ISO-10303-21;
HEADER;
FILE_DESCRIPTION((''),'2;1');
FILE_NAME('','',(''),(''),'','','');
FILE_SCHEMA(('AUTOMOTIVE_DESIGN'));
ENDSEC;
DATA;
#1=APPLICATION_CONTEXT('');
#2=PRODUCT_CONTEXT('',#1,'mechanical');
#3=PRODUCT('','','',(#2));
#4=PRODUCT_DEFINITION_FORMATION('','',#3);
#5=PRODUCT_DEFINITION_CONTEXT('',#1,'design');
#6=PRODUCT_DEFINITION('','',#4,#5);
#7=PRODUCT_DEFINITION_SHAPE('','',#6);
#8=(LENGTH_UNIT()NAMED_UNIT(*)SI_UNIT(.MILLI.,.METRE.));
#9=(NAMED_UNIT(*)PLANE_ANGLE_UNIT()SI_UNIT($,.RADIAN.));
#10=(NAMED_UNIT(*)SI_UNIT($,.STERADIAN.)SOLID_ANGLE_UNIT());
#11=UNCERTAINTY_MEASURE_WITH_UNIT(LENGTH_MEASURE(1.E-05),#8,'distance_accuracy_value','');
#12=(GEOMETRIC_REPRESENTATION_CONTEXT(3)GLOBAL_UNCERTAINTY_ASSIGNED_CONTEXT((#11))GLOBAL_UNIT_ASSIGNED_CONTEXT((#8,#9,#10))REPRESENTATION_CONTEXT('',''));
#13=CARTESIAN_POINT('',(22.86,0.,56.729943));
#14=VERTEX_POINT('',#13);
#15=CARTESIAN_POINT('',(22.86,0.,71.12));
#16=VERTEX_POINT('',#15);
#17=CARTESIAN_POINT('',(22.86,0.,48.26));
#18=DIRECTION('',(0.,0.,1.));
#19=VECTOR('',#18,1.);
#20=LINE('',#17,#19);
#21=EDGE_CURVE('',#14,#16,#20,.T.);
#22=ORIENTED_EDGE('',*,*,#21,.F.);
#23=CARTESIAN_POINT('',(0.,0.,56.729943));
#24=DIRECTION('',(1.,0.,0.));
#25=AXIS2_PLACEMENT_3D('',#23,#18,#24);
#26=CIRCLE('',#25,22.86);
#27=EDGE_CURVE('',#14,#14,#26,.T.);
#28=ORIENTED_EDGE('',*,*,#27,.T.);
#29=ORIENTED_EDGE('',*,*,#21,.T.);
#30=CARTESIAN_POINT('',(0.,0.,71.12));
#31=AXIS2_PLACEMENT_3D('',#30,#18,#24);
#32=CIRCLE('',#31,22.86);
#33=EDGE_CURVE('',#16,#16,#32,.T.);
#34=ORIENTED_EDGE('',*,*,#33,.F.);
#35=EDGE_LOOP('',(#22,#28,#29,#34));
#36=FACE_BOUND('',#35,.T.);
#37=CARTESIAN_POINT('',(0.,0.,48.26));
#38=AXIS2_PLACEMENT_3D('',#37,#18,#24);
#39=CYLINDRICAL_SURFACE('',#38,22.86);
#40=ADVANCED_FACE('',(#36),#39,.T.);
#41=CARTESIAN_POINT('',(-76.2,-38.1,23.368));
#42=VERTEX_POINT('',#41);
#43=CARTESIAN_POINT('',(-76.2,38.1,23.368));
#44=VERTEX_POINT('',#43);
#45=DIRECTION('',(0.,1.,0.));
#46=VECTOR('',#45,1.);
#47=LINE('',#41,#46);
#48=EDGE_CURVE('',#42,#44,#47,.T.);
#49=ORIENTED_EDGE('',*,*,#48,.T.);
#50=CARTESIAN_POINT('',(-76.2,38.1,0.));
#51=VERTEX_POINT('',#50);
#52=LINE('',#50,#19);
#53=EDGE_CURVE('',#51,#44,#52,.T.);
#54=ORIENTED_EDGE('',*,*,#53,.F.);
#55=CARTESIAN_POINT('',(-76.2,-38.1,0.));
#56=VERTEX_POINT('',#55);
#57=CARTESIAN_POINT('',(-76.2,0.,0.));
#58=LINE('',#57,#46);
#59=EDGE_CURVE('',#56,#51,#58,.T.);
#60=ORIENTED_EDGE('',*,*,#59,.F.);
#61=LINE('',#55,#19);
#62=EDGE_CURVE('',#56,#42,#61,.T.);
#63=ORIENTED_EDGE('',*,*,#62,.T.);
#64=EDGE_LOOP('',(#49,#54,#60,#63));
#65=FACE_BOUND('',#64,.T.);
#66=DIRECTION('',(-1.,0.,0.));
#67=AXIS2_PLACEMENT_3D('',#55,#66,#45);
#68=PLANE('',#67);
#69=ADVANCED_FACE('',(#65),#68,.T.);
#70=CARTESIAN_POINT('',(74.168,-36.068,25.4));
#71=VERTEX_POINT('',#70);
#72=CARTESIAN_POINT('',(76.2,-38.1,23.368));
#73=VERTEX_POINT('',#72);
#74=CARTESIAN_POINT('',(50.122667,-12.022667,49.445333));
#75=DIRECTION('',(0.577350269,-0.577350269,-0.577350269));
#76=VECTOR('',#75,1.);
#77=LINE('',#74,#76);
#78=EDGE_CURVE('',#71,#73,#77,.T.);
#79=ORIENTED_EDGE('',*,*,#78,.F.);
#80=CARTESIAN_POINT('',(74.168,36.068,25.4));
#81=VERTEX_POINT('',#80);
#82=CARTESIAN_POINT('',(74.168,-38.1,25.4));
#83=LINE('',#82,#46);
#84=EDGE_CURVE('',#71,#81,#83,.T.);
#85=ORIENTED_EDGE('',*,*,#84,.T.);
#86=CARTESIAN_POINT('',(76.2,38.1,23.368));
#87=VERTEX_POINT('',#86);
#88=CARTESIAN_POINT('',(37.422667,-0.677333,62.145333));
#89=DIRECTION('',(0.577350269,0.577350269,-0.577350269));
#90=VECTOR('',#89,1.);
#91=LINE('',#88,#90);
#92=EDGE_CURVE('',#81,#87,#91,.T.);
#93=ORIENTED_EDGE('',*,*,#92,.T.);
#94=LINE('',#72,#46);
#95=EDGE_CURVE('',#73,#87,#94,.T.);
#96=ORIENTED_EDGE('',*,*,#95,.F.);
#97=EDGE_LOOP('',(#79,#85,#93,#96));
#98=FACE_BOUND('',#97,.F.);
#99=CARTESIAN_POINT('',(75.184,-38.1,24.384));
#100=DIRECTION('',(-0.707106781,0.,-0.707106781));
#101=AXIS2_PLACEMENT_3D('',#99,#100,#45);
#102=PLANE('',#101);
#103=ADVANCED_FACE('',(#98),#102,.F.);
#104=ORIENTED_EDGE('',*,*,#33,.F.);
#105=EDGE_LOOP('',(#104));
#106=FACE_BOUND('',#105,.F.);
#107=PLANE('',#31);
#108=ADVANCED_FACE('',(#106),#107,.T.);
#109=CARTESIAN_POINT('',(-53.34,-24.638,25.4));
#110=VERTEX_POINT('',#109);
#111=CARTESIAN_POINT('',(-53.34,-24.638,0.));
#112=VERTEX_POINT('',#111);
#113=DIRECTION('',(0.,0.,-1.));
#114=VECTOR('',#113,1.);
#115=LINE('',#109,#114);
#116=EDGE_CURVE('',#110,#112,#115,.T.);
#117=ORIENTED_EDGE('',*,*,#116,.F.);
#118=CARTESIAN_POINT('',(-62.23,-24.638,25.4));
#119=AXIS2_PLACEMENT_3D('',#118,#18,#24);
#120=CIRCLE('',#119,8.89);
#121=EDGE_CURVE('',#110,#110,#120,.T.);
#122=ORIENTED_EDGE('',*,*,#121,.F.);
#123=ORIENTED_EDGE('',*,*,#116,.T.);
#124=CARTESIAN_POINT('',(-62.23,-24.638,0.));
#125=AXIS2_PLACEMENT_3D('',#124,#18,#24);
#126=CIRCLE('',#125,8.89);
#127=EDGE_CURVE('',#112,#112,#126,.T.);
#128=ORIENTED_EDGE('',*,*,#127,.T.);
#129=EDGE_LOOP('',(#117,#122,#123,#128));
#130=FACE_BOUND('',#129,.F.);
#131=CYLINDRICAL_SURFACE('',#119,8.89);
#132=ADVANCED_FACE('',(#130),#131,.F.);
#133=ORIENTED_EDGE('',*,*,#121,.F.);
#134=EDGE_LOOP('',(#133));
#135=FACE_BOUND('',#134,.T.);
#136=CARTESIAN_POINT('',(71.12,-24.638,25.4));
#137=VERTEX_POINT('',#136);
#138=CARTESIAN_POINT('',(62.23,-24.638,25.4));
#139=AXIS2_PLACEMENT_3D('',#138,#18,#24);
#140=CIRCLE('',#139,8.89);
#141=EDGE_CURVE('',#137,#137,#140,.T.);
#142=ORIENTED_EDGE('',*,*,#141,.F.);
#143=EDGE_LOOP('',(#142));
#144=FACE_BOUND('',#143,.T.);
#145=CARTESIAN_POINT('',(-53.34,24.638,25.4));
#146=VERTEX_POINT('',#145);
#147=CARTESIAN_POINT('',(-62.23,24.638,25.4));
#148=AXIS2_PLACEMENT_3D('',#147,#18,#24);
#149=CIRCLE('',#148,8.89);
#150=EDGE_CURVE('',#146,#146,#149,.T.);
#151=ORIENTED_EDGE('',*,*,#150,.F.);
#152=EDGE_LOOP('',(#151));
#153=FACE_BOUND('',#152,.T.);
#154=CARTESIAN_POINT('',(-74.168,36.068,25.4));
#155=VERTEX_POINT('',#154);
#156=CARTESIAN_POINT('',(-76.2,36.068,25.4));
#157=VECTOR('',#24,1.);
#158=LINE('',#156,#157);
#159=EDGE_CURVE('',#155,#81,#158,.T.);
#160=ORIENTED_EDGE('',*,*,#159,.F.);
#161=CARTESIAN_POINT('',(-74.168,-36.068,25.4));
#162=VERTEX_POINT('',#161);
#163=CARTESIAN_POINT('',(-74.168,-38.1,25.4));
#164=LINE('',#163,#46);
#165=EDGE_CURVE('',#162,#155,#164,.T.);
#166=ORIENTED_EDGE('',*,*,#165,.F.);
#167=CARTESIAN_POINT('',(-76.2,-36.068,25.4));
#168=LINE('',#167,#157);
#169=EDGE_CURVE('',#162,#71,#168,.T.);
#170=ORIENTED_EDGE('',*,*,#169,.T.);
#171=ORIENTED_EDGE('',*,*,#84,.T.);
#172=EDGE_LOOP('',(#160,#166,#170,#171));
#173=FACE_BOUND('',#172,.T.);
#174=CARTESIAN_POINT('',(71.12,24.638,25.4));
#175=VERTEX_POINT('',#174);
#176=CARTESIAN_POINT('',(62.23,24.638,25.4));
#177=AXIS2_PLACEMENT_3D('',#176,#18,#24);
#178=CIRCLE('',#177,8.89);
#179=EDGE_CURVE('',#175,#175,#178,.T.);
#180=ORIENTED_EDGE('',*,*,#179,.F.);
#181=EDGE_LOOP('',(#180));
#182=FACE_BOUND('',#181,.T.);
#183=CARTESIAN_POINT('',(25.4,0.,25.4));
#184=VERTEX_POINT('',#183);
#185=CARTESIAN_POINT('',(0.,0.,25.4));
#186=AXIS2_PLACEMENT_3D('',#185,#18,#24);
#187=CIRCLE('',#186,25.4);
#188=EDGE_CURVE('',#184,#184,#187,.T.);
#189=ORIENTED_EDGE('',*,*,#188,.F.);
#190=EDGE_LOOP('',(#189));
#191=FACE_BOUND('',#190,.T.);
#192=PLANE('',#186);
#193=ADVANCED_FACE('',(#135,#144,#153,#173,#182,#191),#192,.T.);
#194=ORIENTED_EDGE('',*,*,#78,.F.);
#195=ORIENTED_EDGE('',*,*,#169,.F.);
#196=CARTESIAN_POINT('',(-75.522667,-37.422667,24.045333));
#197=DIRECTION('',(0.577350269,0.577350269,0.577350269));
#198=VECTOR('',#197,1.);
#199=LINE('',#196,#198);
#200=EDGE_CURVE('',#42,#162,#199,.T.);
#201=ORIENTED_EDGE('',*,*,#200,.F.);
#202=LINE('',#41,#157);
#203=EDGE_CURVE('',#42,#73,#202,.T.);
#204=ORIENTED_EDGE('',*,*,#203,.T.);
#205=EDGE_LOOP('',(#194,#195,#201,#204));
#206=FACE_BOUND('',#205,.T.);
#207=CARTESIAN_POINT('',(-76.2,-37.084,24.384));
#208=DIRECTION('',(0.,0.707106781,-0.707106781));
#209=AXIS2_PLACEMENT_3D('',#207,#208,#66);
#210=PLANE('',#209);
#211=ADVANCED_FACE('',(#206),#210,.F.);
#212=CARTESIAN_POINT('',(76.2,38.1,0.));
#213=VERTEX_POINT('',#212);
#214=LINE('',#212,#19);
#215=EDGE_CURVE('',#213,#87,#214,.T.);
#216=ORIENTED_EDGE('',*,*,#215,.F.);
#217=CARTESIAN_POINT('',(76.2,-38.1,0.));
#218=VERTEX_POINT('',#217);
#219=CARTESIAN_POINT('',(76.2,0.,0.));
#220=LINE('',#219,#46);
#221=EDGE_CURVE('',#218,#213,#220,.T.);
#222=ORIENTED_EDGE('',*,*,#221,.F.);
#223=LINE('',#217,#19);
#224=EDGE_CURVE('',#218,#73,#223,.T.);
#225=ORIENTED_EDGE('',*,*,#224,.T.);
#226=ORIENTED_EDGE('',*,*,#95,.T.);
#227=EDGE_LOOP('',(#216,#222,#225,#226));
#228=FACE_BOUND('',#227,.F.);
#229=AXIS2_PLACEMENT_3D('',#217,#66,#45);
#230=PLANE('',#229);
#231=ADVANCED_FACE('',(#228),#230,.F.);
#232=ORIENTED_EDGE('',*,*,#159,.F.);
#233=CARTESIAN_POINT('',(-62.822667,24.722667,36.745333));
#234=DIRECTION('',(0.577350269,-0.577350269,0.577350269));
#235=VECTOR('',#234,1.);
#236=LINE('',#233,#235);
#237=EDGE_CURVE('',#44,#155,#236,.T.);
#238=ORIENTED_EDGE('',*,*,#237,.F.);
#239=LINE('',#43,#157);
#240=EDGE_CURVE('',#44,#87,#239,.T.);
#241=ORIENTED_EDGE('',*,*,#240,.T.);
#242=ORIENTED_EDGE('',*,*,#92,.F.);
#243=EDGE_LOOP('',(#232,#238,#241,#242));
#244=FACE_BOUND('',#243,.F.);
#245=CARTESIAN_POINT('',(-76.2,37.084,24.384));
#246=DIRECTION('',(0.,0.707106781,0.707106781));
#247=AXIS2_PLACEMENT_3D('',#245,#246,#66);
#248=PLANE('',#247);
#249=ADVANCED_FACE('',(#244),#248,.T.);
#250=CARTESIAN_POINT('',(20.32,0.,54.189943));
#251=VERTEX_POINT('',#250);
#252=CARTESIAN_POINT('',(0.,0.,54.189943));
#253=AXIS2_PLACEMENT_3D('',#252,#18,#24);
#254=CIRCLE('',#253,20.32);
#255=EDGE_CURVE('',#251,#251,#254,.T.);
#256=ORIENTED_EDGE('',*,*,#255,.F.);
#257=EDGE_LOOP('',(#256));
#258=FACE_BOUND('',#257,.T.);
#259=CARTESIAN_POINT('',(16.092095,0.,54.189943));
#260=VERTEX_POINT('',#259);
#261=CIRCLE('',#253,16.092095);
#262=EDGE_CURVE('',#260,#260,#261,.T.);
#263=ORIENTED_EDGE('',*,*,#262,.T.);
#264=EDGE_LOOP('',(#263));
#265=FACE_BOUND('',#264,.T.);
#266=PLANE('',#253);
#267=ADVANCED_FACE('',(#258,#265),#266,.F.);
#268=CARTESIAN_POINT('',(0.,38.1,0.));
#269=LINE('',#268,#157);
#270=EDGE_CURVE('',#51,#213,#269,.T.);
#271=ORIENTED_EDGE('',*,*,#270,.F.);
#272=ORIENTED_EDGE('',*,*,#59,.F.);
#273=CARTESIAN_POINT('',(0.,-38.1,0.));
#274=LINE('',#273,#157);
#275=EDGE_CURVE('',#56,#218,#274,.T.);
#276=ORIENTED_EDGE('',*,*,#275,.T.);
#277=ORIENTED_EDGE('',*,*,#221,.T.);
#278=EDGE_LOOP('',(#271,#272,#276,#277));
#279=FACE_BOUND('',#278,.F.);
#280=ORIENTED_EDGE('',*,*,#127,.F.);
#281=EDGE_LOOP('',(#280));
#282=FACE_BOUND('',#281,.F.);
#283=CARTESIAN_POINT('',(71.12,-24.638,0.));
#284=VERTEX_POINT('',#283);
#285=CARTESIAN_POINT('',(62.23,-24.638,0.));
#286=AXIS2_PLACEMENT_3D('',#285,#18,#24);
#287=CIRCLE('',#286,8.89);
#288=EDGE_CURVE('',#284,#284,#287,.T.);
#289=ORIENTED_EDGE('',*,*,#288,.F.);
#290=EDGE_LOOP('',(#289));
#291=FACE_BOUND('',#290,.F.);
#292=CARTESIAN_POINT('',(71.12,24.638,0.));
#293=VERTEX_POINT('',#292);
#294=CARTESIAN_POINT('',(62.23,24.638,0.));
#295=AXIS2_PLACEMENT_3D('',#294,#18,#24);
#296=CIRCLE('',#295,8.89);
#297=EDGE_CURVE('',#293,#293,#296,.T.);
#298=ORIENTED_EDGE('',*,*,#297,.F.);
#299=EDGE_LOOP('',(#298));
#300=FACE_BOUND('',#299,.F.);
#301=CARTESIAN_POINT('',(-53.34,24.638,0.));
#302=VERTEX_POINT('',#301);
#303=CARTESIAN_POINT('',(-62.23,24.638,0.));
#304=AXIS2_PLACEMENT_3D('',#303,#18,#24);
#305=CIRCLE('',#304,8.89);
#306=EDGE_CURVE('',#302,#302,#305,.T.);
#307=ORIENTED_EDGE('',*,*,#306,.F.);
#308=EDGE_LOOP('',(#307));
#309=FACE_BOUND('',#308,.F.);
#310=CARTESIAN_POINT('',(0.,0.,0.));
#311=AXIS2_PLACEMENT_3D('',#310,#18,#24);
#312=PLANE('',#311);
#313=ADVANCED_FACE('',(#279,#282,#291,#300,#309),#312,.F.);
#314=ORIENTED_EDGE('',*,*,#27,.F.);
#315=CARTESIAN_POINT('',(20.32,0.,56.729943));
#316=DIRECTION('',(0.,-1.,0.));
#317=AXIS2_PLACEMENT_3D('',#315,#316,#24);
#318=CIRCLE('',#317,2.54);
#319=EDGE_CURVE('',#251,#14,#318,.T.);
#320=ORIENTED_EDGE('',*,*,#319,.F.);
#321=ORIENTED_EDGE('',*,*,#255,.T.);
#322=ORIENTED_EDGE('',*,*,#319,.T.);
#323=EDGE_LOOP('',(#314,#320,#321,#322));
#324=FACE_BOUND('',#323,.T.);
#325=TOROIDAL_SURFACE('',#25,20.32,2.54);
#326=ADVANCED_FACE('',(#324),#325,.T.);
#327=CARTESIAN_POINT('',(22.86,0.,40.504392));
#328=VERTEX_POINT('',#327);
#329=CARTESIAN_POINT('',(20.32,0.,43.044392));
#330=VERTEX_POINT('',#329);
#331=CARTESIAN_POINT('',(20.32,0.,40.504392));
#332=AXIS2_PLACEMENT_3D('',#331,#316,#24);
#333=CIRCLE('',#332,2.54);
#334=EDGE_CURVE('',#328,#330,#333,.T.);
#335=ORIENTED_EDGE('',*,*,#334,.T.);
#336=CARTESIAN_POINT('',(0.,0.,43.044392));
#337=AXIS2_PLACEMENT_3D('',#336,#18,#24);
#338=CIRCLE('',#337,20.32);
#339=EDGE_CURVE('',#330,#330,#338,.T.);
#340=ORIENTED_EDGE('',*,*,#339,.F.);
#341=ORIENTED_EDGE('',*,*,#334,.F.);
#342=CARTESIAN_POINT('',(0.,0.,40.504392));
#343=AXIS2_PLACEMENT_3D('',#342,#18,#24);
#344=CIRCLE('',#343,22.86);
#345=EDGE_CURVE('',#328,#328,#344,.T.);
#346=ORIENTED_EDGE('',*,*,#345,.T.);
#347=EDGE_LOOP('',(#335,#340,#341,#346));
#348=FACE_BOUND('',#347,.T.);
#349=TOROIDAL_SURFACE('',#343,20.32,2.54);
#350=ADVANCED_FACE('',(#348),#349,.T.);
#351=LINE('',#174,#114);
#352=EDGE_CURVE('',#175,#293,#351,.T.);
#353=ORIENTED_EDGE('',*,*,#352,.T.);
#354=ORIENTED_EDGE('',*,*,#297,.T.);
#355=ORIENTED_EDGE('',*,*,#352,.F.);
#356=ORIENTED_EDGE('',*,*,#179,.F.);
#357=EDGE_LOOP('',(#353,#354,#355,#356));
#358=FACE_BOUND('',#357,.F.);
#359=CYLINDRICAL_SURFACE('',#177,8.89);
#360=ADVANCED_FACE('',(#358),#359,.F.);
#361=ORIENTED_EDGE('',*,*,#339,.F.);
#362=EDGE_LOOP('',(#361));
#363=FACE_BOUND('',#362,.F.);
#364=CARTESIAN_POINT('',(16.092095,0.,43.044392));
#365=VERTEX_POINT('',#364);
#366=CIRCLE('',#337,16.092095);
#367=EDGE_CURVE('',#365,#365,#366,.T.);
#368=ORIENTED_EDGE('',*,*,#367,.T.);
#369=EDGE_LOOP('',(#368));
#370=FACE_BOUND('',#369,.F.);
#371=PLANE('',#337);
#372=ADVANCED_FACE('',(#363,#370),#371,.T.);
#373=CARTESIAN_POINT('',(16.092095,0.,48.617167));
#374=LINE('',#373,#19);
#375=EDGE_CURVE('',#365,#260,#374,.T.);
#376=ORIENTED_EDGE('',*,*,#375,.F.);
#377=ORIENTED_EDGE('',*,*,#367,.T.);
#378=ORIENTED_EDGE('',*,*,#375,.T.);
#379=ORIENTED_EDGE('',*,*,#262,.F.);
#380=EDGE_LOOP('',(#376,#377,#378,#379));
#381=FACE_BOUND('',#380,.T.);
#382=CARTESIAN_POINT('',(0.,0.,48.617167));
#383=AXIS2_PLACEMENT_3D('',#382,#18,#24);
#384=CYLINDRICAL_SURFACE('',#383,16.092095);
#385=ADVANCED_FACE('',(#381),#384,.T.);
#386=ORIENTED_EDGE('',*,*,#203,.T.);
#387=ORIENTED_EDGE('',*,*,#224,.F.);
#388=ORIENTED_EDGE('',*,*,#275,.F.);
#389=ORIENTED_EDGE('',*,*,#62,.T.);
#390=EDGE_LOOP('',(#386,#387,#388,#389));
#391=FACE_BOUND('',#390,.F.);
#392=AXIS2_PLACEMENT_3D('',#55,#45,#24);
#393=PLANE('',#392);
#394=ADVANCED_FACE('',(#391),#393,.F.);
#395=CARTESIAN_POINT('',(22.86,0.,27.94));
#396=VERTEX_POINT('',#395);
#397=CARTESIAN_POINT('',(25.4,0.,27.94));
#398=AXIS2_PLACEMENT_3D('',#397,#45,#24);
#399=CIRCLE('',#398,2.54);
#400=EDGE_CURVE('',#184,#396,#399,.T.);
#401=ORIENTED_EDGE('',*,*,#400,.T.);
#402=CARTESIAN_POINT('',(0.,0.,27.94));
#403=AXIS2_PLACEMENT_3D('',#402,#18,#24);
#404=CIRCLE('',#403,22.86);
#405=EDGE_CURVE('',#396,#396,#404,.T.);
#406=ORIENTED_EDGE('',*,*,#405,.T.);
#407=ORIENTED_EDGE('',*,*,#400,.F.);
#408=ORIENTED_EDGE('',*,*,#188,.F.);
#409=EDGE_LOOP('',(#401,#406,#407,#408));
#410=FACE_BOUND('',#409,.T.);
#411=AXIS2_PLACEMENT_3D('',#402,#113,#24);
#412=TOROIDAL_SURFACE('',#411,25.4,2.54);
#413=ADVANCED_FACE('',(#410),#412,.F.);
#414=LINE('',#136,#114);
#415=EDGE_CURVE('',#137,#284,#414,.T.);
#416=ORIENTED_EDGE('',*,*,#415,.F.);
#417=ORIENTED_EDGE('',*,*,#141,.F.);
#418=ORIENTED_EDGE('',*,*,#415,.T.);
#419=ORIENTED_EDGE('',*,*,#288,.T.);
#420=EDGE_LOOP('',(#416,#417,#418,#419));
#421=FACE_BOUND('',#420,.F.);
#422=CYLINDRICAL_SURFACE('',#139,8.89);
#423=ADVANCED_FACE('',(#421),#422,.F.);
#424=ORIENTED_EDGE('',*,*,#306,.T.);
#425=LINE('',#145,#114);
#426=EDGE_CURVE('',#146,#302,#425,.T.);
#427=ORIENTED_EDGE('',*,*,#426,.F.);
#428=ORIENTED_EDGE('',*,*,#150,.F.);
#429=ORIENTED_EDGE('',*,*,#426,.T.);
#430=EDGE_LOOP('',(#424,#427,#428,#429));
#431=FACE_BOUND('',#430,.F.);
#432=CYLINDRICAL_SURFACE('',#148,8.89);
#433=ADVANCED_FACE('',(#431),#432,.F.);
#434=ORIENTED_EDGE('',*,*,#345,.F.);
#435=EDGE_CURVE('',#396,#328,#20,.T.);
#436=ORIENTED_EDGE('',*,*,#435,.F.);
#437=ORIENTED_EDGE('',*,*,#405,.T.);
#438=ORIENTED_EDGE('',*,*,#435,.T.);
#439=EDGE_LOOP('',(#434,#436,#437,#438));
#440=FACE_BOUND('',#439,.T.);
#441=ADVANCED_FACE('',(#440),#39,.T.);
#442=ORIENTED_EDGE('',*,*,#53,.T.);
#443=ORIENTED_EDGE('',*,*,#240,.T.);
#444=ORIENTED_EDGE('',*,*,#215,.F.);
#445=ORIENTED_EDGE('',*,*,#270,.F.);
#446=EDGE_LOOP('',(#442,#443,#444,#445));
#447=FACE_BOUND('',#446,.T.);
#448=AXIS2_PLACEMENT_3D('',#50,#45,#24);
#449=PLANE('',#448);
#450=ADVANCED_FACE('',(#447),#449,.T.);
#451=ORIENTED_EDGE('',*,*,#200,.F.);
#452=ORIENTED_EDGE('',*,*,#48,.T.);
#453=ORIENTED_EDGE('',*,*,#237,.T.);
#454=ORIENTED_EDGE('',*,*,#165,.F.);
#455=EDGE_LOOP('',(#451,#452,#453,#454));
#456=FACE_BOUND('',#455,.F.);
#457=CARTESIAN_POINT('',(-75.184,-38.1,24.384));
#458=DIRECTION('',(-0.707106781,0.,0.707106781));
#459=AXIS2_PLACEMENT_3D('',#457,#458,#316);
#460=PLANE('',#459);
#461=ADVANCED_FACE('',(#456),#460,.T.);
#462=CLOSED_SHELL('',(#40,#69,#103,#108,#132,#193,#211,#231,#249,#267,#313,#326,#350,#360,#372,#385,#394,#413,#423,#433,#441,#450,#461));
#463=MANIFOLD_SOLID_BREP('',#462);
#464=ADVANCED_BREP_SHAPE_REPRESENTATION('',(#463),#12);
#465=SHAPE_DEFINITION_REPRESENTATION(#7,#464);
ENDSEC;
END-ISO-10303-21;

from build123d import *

# Parameters (mm, degrees)
F0_W     = 152.4
F0_H     = 76.2
F1_DEPTH = 25.4
F2_R     = 8.89
F3_DEPTH = 25.4
F4_SIZE  = 2.032
F5_W     = 22.86
F5_H     = 45.72
F7_W     = 6.9182990119
F7_H     = 11.1455507576
F9_R     = 2.54
F10_R    = 2.54


with BuildPart() as f1:
    # F0 (on Top) → F1 (new body)
    with BuildSketch(Plane.XY):
        Rectangle(F0_W, F0_H)
    extrude(amount=F1_DEPTH)

    # F2 (on face) → F3 (cut)
    with BuildSketch(Plane.XY.offset(25.4)):
        with Locations((-62.23, 24.638)):
            Circle(F2_R)
        with Locations((62.23, -24.638)):
            Circle(F2_R)
        with Locations((62.23, 24.638)):
            Circle(F2_R)
        with Locations((-62.23, -24.638)):
            Circle(F2_R)
    extrude(amount=-F3_DEPTH, mode=Mode.SUBTRACT)

    # F4
    f4_edges = [f1.edges().sort_by_distance(p)[0] for p in [
        (76.2, 0, 25.4),
        (0, 38.1, 25.4),
        (0, -38.1, 25.4),
        (-76.2, 0, 25.4),
    ]]
    chamfer(f4_edges, length=F4_SIZE)

    # F5 (on Front) → F6 (revolve)
    with BuildSketch(Plane.XZ):
        with Locations((11.43, 48.26)):
            Rectangle(F5_W, F5_H)
    revolve(axis=Axis((0, 0, 48.26), (0, 0, 1)))

    # F7 (on Front) → F8 (revolve, cut)
    with BuildSketch(Plane.XZ):
        with Locations((19.5512440987, 48.6171673983)):
            Rectangle(F7_W, F7_H)
    revolve(axis=Axis((0, 0, 25.4), (0, 0, 1)), mode=Mode.SUBTRACT)

    # F9
    f9_edges = [f1.edges().sort_by_distance(p)[0] for p in [
        (22.86, 0, 34.222196),
        (-22.86, 0, 43.044392),
        (-22.86, 0, 25.4),
    ]]
    fillet(f9_edges, radius=F9_R)

    # F10
    f10_edges = [f1.edges().sort_by_distance(p)[0] for p in [
        (-22.86, 0, 54.189943),
    ]]
    fillet(f10_edges, radius=F10_R)


solid = f1.part
